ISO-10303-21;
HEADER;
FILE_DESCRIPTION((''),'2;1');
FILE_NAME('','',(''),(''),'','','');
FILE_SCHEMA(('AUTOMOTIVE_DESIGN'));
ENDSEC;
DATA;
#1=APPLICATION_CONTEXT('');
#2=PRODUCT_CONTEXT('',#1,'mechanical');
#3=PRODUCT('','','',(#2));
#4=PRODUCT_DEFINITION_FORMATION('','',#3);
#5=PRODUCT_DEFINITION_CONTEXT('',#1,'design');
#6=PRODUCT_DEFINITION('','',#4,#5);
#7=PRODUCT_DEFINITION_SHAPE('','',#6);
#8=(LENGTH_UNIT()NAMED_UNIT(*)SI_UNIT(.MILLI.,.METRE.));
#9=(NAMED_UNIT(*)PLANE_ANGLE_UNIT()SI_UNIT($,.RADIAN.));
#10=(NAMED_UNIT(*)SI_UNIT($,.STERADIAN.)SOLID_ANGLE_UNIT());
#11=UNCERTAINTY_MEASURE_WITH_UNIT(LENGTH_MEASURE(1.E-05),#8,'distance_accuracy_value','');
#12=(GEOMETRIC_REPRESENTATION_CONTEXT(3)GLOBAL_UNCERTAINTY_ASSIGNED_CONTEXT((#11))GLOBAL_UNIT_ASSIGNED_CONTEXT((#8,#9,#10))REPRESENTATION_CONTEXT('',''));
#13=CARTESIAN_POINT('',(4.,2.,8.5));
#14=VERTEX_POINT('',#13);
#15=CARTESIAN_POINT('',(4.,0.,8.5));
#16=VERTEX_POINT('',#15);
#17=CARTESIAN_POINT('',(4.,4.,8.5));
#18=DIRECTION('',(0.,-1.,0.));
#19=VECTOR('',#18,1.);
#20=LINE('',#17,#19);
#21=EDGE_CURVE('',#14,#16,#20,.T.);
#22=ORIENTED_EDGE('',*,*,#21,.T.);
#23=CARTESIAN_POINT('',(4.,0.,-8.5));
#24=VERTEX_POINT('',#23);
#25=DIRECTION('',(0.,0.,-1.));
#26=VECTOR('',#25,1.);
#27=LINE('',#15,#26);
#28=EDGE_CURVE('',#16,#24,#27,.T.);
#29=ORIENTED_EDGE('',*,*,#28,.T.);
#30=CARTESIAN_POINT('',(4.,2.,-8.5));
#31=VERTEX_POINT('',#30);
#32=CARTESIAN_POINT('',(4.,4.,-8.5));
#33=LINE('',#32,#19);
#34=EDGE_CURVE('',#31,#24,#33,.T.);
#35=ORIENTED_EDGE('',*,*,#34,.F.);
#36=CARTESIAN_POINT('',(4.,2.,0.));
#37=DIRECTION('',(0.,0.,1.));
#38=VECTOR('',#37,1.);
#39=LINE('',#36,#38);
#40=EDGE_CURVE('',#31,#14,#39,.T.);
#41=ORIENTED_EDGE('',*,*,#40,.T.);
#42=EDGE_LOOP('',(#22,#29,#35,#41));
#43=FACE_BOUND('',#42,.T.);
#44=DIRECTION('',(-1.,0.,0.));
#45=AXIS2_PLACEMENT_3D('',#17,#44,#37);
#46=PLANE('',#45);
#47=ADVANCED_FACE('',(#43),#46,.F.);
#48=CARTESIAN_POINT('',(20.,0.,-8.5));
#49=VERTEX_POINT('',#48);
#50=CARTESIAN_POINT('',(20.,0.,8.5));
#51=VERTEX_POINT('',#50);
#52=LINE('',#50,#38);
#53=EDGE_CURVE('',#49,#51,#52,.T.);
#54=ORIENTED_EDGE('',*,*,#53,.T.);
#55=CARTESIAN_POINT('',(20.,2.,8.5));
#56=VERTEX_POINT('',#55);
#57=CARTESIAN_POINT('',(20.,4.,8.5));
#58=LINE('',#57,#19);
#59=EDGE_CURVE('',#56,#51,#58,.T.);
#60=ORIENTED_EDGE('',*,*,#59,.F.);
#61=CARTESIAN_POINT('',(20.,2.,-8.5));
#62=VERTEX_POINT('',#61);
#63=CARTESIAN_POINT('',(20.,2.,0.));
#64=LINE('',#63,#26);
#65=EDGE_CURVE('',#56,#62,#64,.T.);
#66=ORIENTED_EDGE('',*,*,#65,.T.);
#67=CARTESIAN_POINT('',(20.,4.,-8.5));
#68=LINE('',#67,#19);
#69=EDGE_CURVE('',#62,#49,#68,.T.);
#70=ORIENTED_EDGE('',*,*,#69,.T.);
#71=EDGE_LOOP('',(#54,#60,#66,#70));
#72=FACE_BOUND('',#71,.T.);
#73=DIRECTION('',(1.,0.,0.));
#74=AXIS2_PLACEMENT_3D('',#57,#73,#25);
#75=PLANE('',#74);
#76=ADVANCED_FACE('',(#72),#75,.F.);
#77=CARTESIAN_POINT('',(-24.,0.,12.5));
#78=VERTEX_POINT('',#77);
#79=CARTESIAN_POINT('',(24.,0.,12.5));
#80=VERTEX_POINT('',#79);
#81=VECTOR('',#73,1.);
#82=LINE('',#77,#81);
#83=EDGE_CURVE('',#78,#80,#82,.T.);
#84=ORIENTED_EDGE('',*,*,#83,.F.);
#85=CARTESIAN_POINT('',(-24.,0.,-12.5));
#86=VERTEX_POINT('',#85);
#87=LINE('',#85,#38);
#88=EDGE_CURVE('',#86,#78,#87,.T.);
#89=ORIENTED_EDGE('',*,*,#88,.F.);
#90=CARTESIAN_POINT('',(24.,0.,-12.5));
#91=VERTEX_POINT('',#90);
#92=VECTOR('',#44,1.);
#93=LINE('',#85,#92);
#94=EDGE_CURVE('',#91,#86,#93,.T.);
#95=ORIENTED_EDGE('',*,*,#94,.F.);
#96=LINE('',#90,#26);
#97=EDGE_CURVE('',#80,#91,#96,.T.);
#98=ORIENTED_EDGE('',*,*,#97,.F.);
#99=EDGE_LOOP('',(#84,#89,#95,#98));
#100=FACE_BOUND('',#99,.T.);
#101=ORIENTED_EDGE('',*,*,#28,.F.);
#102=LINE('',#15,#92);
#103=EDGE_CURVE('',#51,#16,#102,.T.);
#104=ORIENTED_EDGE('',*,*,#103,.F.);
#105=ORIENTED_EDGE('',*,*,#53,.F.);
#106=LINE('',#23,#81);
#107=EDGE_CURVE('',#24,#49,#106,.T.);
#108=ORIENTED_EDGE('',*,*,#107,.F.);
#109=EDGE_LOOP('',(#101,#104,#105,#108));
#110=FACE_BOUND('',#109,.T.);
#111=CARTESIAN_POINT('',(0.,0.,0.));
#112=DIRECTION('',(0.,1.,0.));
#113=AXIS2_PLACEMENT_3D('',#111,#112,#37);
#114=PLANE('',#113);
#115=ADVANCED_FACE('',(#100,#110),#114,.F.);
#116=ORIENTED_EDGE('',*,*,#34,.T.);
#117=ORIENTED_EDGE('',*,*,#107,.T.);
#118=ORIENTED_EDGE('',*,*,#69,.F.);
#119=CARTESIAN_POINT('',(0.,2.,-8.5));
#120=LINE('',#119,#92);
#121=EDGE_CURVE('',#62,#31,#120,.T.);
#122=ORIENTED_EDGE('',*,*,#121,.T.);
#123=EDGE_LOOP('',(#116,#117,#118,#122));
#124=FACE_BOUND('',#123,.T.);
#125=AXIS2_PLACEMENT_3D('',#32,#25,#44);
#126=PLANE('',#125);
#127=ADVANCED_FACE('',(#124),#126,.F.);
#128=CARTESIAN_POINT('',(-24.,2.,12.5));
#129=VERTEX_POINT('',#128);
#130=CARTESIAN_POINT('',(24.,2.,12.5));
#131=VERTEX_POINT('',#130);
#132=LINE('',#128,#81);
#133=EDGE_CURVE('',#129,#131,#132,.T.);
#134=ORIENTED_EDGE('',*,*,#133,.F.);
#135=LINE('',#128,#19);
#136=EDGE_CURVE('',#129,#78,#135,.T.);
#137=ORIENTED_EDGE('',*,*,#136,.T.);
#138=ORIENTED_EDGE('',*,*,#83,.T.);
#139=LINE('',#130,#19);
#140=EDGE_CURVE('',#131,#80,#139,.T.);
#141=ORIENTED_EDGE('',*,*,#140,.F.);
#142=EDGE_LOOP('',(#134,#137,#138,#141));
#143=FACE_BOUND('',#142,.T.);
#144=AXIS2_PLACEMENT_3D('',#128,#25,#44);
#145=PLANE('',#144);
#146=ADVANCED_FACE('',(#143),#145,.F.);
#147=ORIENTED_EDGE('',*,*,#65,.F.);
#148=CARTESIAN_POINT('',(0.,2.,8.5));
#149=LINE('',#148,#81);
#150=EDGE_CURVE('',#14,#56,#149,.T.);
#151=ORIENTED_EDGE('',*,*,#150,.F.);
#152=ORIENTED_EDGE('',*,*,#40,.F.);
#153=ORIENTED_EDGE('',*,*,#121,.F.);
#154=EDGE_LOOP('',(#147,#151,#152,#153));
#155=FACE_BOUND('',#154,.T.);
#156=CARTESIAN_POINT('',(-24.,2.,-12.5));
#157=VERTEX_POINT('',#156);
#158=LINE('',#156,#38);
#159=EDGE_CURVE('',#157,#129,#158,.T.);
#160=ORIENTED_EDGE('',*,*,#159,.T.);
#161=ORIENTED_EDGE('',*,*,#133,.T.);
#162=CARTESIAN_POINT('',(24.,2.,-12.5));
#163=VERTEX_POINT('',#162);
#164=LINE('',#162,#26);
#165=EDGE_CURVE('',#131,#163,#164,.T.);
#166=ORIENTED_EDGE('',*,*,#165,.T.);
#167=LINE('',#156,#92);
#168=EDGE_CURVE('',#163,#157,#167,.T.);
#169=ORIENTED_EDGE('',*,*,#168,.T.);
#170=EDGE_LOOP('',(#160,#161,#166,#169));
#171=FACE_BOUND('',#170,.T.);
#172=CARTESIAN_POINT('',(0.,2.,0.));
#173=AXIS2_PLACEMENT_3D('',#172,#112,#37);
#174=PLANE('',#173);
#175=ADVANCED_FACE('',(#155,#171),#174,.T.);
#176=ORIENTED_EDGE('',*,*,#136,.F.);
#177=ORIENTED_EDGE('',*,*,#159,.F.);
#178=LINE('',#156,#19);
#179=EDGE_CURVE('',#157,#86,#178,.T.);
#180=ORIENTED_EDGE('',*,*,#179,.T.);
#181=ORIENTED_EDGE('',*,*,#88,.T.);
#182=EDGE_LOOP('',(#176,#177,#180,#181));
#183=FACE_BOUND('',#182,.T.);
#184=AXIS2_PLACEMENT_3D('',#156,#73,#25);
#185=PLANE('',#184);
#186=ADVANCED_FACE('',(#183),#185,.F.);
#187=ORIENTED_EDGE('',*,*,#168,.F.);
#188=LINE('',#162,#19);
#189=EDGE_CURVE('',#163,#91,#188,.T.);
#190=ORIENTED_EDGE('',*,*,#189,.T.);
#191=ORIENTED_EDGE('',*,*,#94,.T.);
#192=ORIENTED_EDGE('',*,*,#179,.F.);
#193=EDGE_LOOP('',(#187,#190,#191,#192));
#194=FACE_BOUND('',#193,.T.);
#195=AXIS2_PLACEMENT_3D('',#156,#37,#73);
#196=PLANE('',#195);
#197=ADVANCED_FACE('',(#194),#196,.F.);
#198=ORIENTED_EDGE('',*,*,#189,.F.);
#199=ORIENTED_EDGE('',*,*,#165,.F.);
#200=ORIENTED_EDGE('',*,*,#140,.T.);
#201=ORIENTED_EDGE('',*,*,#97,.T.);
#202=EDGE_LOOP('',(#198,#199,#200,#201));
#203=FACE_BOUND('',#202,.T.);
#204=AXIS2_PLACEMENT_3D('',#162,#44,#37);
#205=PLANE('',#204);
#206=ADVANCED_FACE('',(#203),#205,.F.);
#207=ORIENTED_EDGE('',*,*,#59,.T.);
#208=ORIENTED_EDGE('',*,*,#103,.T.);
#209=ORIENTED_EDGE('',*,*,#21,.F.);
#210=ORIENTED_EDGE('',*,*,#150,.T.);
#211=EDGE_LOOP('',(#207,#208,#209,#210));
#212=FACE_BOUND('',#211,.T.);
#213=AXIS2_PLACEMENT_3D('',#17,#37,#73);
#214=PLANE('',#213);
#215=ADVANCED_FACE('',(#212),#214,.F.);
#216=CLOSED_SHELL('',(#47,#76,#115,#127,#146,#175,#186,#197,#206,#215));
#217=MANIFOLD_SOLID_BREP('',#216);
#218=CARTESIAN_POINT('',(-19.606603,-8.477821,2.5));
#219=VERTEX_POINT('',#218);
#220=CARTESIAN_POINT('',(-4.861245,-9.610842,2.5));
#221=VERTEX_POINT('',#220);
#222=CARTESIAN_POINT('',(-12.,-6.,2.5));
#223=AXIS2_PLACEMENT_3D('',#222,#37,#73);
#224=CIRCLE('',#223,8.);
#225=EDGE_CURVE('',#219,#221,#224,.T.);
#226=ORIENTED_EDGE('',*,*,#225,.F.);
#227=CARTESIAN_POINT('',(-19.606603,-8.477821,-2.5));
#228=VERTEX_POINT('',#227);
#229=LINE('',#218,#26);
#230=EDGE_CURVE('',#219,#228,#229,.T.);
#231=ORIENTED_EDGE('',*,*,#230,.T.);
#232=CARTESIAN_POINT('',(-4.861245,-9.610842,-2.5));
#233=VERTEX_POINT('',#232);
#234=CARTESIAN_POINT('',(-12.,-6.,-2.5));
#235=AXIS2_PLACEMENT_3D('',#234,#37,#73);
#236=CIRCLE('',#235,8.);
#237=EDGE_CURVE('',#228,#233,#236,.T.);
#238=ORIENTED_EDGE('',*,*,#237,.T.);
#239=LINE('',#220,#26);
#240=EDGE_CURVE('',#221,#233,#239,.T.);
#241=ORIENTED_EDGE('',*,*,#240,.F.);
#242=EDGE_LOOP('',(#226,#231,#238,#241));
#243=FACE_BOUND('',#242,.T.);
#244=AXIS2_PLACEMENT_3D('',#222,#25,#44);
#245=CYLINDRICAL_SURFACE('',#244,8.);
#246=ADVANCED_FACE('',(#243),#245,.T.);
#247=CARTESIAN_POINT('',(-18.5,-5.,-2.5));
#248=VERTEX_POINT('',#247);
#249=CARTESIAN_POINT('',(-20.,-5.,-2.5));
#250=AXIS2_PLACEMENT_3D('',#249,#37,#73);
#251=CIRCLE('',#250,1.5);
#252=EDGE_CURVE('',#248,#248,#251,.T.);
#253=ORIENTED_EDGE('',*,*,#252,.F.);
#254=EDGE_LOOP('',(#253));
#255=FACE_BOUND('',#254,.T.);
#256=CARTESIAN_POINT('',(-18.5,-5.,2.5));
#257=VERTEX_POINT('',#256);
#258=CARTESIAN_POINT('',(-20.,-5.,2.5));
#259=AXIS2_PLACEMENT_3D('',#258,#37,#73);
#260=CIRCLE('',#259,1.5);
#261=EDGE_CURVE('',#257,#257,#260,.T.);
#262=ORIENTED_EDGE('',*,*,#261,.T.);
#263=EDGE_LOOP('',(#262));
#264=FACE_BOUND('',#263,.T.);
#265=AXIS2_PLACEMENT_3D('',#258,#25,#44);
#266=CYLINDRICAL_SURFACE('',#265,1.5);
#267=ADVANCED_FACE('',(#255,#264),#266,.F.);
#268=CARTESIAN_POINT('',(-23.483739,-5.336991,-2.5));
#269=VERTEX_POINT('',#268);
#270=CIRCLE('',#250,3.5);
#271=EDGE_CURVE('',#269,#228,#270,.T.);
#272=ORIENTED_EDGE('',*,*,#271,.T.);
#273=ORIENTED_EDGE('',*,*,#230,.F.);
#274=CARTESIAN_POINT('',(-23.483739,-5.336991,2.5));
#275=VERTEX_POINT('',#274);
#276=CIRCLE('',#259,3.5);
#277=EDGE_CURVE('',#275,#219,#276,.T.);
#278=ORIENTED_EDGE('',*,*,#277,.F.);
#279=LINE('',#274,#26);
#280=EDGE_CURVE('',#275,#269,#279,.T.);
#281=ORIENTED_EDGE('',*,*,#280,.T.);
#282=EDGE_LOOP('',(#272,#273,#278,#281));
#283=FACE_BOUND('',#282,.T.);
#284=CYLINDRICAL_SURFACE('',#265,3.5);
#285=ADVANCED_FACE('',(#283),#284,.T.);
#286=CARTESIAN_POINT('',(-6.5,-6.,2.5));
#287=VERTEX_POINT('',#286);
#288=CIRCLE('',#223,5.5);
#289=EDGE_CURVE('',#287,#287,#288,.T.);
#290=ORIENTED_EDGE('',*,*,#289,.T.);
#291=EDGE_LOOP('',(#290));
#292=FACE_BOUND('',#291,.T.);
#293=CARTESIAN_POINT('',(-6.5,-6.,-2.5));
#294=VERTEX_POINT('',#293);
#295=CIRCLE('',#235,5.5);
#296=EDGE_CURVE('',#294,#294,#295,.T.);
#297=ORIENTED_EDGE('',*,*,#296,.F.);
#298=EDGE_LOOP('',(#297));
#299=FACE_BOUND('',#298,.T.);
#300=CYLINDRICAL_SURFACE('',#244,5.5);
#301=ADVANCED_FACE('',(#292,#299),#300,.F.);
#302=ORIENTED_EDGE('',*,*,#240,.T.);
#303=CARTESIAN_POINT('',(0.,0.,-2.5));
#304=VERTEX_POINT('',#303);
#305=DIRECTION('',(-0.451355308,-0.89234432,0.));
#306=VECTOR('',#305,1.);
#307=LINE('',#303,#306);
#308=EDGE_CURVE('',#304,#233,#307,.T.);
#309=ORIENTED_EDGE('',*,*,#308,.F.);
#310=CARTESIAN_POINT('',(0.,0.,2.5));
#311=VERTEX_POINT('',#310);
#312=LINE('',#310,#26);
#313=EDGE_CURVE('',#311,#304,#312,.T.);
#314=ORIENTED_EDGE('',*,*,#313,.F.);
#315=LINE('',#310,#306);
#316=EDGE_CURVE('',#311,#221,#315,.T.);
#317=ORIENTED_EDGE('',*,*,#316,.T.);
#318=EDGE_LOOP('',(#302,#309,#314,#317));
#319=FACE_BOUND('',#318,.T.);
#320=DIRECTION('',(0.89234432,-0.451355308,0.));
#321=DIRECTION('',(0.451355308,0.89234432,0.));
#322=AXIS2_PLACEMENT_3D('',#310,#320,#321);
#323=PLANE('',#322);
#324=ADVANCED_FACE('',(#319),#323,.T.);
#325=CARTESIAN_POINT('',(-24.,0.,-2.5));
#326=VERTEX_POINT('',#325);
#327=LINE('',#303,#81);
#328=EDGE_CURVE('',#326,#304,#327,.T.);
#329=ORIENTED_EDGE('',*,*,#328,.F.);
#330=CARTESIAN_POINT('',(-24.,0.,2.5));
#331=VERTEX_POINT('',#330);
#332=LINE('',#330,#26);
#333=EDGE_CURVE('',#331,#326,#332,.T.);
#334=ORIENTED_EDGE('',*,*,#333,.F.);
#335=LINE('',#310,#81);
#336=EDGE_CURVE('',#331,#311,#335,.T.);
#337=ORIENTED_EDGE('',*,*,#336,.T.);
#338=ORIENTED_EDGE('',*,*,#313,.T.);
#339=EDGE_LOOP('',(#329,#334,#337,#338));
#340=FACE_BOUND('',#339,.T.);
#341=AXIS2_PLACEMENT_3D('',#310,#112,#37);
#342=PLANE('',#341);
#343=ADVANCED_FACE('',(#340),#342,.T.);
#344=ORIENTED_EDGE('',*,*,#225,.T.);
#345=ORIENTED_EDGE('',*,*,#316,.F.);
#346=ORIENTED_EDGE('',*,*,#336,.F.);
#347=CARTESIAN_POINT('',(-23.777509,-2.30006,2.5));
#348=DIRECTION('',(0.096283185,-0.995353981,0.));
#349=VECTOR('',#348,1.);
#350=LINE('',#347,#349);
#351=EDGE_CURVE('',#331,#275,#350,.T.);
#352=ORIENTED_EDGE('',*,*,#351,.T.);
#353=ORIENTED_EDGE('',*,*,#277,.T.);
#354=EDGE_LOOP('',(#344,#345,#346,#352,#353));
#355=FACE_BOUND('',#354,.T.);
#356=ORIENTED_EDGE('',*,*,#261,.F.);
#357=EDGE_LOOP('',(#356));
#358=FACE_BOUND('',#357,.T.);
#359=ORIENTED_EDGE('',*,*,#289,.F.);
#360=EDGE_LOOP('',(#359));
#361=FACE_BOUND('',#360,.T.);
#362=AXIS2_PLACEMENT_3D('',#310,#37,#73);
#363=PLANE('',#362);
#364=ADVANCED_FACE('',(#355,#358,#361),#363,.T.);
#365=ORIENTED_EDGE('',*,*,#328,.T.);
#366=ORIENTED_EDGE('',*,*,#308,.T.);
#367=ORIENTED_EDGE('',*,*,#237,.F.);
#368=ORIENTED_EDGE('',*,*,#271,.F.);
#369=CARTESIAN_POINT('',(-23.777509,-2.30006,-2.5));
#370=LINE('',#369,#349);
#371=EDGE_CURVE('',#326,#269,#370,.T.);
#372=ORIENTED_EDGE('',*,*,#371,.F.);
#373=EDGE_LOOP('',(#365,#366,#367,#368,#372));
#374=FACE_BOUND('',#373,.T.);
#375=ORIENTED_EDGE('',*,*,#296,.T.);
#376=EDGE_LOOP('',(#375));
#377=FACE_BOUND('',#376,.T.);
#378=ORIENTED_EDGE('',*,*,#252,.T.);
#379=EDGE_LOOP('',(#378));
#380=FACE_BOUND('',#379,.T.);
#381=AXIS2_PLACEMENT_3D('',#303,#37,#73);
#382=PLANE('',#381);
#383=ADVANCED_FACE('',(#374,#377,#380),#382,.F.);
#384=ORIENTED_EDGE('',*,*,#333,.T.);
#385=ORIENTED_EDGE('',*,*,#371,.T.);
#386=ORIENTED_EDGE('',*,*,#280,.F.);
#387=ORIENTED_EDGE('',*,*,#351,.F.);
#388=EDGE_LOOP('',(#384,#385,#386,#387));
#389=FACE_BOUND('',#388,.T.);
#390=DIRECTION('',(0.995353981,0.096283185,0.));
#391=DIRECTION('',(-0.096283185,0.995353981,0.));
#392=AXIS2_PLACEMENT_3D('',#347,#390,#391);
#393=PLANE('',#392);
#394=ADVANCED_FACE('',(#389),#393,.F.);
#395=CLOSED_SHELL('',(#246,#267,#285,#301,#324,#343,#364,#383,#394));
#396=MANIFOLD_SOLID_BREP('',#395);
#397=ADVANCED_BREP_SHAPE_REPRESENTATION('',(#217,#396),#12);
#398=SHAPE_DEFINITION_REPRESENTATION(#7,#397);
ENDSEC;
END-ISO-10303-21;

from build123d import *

# Parameters (mm, degrees)
SKETCH_1_W          = 48
SKETCH_1_H          = 25
EXTRUDE_1_DEPTH     = 2
EXTRUDE_2_DEPTH     = 2.5
SKETCH_6_W          = 16
SKETCH_6_H          = 17
CUT_EXTRUDE_3_DEPTH = 4


with BuildPart() as part:
    # Эскиз1 → Бобышка-Вытянуть1 (new body)
    with BuildSketch(Plane(origin=(0, 0, 0), x_dir=(1, 0, 0), z_dir=(0, 1, 0))):
        Rectangle(SKETCH_1_W, SKETCH_1_H)
    extrude(amount=EXTRUDE_1_DEPTH)

    # Эскиз6 → Вырез-Вытянуть3 (cut)
    with BuildSketch(Plane.XZ):
        with Locations((12, 0)):
            Rectangle(SKETCH_6_W, SKETCH_6_H)
    extrude(amount=-CUT_EXTRUDE_3_DEPTH, mode=Mode.SUBTRACT)


with BuildPart() as body_2:
    # Эскиз2 → Бобышка-Вытянуть2 (new, symmetric)
    with BuildSketch(Plane.XY):
        with BuildLine():
            Line((-17.291502622, 0), (-24, 0))
            Line((-24, 0), (-23.483738935, -5.336991148))
            ThreePointArc((-23.483738935, -5.336991148), (-22.126337231, -2.219947845), (-18.762628152, -1.726025213))
            ThreePointArc((-18.762628152, -1.726025213), (-18.088539064, -0.810617372), (-17.291502622, 0))
        make_face()
        with BuildLine():
            Line((0, 0), (-6.708497378, 0))
            ThreePointArc((-6.708497378, 0), (-4.143798842, -4.489998884), (-4.861245436, -9.610842461))
            Line((-4.861245436, -9.610842461), (0, 0))
        make_face()
        with BuildLine():
            ThreePointArc((-18.762628152, -1.726025213), (-22.126337231, -2.219947845), (-23.483738935, -5.336991148))
            ThreePointArc((-23.483738935, -5.336991148), (-22.203124072, -7.719603707), (-19.606602618, -8.477820941))
            ThreePointArc((-19.606602618, -8.477820941), (-19.857963532, -7.500802829), (-19.984364814, -6.499918511))
            ThreePointArc((-19.984364814, -6.499918511), (-21.488416815, -4.813947898), (-19.615635186, -3.550081489))
            ThreePointArc((-19.615635186, -3.550081489), (-19.24675165, -2.611107773), (-18.762628152, -1.726025213))
        make_face()
        with BuildLine():
            ThreePointArc((-16.867376933, -3.439015464), (-17.653130214, -2.403424908), (-18.762628152, -1.726025213))
            ThreePointArc((-18.762628152, -1.726025213), (-19.24675165, -2.611107773), (-19.615635186, -3.550081489))
            ThreePointArc((-19.615635186, -3.550081489), (-18.811188152, -4.085272505), (-18.5, -5))
            ThreePointArc((-18.5, -5), (-18.933826285, -6.055117818), (-19.984364814, -6.499918511))
            ThreePointArc((-19.984364814, -6.499918511), (-19.857963532, -7.500802829), (-19.606602618, -8.477820941))
            ThreePointArc((-19.606602618, -8.477820941), (-18.364498538, -8.094371498), (-17.348007682, -7.284061459))
            ThreePointArc((-17.348007682, -7.284061459), (-17.457528322, -5.31780896), (-16.867376933, -3.439015464))
        make_face()
        with BuildLine():
            Line((-6.708497378, 0), (-17.291502622, 0))
            ThreePointArc((-17.291502622, 0), (-18.088539064, -0.810617372), (-18.762628152, -1.726025213))
            ThreePointArc((-18.762628152, -1.726025213), (-17.653130214, -2.403424908), (-16.867376933, -3.439015464))
            ThreePointArc((-16.867376933, -3.439015464), (-10.681018031, -0.660497536), (-6.5, -6))
            ThreePointArc((-6.5, -6), (-11.353487144, -11.461869746), (-17.348007682, -7.284061459))
            ThreePointArc((-17.348007682, -7.284061459), (-18.364498538, -8.094371498), (-19.606602618, -8.477820941))
            ThreePointArc((-19.606602618, -8.477820941), (-12.612906919, -13.976487016), (-4.861245436, -9.610842461))
            ThreePointArc((-4.861245436, -9.610842461), (-4.143798842, -4.489998884), (-6.708497378, 0))
        make_face()
    extrude(amount=EXTRUDE_2_DEPTH, both=True)


solid = Compound([part.part, body_2.part])
